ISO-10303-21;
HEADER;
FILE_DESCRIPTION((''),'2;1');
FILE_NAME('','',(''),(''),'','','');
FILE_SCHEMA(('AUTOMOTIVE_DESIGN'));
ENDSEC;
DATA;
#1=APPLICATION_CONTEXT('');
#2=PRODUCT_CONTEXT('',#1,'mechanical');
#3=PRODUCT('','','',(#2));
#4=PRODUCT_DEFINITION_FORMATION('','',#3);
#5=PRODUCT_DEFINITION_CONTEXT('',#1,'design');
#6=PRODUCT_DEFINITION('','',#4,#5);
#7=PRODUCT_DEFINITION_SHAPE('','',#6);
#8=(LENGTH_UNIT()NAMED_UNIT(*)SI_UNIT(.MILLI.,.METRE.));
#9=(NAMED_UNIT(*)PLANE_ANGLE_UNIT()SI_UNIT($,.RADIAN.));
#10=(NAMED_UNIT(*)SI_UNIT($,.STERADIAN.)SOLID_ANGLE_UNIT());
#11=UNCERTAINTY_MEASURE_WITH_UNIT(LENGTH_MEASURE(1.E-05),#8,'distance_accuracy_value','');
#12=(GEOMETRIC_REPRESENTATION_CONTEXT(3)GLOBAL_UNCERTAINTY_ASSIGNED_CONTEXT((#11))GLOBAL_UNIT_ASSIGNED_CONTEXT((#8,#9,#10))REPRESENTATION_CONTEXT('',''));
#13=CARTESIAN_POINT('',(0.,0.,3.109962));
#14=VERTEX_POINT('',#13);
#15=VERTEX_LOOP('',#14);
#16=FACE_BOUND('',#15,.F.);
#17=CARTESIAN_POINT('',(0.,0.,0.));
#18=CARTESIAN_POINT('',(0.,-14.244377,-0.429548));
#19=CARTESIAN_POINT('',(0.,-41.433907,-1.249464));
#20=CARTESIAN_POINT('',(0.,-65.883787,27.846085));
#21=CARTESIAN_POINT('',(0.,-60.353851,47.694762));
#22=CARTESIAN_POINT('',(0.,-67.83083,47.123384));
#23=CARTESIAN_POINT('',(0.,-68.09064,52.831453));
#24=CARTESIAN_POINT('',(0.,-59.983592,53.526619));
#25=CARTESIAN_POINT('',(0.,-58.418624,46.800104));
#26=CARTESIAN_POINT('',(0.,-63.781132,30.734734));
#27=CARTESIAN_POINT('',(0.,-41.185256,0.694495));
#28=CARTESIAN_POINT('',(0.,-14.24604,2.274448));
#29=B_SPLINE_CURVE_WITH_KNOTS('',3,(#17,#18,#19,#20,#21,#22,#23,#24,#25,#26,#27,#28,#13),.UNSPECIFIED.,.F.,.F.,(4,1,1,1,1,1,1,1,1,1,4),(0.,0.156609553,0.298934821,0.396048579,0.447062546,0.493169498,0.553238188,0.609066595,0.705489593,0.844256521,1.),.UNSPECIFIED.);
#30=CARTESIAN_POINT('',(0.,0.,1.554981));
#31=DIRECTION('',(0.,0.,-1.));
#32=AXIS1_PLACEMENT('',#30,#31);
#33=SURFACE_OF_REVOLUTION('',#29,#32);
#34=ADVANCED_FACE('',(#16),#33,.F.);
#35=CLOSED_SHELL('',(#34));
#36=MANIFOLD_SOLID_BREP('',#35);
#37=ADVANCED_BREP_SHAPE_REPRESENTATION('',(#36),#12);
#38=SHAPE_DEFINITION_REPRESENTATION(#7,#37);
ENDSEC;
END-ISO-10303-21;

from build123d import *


with BuildPart() as f1:
    # F0 (on Right) → F1 (revolve)
    with BuildSketch(Plane.YZ):
        with BuildLine():
            add(Edge.make_bspline(
                [(0, 0), (-14.2443768141, -0.4295475198), (-41.4339073912, -1.2494637279), (-65.8837870847, 27.8460851339), (-60.3538507691, 47.6947619415), (-67.830830419, 47.1233836678), (-68.0906404486, 52.8314530146), (-59.9835923198, 53.5266188704), (-58.4186241363, 46.8001038954), (-63.7811322432, 30.7347337539), (-41.1852560527, 0.6944947222), (-14.2460404297, 2.2744480115), (0, 3.1099615153)],
                knots=[0, 0, 0, 0, 0.1566095532, 0.2989348212, 0.3960485792, 0.4470625465, 0.4931694976, 0.5532381882, 0.6090665948, 0.7054895933, 0.8442565211, 1, 1, 1, 1], degree=3))
            Line((0, 0), (0, 3.1099615153))
        make_face()
    revolve(axis=Axis((0, 0, 1.5549807576), (0, 0, -1)))


solid = f1.part
